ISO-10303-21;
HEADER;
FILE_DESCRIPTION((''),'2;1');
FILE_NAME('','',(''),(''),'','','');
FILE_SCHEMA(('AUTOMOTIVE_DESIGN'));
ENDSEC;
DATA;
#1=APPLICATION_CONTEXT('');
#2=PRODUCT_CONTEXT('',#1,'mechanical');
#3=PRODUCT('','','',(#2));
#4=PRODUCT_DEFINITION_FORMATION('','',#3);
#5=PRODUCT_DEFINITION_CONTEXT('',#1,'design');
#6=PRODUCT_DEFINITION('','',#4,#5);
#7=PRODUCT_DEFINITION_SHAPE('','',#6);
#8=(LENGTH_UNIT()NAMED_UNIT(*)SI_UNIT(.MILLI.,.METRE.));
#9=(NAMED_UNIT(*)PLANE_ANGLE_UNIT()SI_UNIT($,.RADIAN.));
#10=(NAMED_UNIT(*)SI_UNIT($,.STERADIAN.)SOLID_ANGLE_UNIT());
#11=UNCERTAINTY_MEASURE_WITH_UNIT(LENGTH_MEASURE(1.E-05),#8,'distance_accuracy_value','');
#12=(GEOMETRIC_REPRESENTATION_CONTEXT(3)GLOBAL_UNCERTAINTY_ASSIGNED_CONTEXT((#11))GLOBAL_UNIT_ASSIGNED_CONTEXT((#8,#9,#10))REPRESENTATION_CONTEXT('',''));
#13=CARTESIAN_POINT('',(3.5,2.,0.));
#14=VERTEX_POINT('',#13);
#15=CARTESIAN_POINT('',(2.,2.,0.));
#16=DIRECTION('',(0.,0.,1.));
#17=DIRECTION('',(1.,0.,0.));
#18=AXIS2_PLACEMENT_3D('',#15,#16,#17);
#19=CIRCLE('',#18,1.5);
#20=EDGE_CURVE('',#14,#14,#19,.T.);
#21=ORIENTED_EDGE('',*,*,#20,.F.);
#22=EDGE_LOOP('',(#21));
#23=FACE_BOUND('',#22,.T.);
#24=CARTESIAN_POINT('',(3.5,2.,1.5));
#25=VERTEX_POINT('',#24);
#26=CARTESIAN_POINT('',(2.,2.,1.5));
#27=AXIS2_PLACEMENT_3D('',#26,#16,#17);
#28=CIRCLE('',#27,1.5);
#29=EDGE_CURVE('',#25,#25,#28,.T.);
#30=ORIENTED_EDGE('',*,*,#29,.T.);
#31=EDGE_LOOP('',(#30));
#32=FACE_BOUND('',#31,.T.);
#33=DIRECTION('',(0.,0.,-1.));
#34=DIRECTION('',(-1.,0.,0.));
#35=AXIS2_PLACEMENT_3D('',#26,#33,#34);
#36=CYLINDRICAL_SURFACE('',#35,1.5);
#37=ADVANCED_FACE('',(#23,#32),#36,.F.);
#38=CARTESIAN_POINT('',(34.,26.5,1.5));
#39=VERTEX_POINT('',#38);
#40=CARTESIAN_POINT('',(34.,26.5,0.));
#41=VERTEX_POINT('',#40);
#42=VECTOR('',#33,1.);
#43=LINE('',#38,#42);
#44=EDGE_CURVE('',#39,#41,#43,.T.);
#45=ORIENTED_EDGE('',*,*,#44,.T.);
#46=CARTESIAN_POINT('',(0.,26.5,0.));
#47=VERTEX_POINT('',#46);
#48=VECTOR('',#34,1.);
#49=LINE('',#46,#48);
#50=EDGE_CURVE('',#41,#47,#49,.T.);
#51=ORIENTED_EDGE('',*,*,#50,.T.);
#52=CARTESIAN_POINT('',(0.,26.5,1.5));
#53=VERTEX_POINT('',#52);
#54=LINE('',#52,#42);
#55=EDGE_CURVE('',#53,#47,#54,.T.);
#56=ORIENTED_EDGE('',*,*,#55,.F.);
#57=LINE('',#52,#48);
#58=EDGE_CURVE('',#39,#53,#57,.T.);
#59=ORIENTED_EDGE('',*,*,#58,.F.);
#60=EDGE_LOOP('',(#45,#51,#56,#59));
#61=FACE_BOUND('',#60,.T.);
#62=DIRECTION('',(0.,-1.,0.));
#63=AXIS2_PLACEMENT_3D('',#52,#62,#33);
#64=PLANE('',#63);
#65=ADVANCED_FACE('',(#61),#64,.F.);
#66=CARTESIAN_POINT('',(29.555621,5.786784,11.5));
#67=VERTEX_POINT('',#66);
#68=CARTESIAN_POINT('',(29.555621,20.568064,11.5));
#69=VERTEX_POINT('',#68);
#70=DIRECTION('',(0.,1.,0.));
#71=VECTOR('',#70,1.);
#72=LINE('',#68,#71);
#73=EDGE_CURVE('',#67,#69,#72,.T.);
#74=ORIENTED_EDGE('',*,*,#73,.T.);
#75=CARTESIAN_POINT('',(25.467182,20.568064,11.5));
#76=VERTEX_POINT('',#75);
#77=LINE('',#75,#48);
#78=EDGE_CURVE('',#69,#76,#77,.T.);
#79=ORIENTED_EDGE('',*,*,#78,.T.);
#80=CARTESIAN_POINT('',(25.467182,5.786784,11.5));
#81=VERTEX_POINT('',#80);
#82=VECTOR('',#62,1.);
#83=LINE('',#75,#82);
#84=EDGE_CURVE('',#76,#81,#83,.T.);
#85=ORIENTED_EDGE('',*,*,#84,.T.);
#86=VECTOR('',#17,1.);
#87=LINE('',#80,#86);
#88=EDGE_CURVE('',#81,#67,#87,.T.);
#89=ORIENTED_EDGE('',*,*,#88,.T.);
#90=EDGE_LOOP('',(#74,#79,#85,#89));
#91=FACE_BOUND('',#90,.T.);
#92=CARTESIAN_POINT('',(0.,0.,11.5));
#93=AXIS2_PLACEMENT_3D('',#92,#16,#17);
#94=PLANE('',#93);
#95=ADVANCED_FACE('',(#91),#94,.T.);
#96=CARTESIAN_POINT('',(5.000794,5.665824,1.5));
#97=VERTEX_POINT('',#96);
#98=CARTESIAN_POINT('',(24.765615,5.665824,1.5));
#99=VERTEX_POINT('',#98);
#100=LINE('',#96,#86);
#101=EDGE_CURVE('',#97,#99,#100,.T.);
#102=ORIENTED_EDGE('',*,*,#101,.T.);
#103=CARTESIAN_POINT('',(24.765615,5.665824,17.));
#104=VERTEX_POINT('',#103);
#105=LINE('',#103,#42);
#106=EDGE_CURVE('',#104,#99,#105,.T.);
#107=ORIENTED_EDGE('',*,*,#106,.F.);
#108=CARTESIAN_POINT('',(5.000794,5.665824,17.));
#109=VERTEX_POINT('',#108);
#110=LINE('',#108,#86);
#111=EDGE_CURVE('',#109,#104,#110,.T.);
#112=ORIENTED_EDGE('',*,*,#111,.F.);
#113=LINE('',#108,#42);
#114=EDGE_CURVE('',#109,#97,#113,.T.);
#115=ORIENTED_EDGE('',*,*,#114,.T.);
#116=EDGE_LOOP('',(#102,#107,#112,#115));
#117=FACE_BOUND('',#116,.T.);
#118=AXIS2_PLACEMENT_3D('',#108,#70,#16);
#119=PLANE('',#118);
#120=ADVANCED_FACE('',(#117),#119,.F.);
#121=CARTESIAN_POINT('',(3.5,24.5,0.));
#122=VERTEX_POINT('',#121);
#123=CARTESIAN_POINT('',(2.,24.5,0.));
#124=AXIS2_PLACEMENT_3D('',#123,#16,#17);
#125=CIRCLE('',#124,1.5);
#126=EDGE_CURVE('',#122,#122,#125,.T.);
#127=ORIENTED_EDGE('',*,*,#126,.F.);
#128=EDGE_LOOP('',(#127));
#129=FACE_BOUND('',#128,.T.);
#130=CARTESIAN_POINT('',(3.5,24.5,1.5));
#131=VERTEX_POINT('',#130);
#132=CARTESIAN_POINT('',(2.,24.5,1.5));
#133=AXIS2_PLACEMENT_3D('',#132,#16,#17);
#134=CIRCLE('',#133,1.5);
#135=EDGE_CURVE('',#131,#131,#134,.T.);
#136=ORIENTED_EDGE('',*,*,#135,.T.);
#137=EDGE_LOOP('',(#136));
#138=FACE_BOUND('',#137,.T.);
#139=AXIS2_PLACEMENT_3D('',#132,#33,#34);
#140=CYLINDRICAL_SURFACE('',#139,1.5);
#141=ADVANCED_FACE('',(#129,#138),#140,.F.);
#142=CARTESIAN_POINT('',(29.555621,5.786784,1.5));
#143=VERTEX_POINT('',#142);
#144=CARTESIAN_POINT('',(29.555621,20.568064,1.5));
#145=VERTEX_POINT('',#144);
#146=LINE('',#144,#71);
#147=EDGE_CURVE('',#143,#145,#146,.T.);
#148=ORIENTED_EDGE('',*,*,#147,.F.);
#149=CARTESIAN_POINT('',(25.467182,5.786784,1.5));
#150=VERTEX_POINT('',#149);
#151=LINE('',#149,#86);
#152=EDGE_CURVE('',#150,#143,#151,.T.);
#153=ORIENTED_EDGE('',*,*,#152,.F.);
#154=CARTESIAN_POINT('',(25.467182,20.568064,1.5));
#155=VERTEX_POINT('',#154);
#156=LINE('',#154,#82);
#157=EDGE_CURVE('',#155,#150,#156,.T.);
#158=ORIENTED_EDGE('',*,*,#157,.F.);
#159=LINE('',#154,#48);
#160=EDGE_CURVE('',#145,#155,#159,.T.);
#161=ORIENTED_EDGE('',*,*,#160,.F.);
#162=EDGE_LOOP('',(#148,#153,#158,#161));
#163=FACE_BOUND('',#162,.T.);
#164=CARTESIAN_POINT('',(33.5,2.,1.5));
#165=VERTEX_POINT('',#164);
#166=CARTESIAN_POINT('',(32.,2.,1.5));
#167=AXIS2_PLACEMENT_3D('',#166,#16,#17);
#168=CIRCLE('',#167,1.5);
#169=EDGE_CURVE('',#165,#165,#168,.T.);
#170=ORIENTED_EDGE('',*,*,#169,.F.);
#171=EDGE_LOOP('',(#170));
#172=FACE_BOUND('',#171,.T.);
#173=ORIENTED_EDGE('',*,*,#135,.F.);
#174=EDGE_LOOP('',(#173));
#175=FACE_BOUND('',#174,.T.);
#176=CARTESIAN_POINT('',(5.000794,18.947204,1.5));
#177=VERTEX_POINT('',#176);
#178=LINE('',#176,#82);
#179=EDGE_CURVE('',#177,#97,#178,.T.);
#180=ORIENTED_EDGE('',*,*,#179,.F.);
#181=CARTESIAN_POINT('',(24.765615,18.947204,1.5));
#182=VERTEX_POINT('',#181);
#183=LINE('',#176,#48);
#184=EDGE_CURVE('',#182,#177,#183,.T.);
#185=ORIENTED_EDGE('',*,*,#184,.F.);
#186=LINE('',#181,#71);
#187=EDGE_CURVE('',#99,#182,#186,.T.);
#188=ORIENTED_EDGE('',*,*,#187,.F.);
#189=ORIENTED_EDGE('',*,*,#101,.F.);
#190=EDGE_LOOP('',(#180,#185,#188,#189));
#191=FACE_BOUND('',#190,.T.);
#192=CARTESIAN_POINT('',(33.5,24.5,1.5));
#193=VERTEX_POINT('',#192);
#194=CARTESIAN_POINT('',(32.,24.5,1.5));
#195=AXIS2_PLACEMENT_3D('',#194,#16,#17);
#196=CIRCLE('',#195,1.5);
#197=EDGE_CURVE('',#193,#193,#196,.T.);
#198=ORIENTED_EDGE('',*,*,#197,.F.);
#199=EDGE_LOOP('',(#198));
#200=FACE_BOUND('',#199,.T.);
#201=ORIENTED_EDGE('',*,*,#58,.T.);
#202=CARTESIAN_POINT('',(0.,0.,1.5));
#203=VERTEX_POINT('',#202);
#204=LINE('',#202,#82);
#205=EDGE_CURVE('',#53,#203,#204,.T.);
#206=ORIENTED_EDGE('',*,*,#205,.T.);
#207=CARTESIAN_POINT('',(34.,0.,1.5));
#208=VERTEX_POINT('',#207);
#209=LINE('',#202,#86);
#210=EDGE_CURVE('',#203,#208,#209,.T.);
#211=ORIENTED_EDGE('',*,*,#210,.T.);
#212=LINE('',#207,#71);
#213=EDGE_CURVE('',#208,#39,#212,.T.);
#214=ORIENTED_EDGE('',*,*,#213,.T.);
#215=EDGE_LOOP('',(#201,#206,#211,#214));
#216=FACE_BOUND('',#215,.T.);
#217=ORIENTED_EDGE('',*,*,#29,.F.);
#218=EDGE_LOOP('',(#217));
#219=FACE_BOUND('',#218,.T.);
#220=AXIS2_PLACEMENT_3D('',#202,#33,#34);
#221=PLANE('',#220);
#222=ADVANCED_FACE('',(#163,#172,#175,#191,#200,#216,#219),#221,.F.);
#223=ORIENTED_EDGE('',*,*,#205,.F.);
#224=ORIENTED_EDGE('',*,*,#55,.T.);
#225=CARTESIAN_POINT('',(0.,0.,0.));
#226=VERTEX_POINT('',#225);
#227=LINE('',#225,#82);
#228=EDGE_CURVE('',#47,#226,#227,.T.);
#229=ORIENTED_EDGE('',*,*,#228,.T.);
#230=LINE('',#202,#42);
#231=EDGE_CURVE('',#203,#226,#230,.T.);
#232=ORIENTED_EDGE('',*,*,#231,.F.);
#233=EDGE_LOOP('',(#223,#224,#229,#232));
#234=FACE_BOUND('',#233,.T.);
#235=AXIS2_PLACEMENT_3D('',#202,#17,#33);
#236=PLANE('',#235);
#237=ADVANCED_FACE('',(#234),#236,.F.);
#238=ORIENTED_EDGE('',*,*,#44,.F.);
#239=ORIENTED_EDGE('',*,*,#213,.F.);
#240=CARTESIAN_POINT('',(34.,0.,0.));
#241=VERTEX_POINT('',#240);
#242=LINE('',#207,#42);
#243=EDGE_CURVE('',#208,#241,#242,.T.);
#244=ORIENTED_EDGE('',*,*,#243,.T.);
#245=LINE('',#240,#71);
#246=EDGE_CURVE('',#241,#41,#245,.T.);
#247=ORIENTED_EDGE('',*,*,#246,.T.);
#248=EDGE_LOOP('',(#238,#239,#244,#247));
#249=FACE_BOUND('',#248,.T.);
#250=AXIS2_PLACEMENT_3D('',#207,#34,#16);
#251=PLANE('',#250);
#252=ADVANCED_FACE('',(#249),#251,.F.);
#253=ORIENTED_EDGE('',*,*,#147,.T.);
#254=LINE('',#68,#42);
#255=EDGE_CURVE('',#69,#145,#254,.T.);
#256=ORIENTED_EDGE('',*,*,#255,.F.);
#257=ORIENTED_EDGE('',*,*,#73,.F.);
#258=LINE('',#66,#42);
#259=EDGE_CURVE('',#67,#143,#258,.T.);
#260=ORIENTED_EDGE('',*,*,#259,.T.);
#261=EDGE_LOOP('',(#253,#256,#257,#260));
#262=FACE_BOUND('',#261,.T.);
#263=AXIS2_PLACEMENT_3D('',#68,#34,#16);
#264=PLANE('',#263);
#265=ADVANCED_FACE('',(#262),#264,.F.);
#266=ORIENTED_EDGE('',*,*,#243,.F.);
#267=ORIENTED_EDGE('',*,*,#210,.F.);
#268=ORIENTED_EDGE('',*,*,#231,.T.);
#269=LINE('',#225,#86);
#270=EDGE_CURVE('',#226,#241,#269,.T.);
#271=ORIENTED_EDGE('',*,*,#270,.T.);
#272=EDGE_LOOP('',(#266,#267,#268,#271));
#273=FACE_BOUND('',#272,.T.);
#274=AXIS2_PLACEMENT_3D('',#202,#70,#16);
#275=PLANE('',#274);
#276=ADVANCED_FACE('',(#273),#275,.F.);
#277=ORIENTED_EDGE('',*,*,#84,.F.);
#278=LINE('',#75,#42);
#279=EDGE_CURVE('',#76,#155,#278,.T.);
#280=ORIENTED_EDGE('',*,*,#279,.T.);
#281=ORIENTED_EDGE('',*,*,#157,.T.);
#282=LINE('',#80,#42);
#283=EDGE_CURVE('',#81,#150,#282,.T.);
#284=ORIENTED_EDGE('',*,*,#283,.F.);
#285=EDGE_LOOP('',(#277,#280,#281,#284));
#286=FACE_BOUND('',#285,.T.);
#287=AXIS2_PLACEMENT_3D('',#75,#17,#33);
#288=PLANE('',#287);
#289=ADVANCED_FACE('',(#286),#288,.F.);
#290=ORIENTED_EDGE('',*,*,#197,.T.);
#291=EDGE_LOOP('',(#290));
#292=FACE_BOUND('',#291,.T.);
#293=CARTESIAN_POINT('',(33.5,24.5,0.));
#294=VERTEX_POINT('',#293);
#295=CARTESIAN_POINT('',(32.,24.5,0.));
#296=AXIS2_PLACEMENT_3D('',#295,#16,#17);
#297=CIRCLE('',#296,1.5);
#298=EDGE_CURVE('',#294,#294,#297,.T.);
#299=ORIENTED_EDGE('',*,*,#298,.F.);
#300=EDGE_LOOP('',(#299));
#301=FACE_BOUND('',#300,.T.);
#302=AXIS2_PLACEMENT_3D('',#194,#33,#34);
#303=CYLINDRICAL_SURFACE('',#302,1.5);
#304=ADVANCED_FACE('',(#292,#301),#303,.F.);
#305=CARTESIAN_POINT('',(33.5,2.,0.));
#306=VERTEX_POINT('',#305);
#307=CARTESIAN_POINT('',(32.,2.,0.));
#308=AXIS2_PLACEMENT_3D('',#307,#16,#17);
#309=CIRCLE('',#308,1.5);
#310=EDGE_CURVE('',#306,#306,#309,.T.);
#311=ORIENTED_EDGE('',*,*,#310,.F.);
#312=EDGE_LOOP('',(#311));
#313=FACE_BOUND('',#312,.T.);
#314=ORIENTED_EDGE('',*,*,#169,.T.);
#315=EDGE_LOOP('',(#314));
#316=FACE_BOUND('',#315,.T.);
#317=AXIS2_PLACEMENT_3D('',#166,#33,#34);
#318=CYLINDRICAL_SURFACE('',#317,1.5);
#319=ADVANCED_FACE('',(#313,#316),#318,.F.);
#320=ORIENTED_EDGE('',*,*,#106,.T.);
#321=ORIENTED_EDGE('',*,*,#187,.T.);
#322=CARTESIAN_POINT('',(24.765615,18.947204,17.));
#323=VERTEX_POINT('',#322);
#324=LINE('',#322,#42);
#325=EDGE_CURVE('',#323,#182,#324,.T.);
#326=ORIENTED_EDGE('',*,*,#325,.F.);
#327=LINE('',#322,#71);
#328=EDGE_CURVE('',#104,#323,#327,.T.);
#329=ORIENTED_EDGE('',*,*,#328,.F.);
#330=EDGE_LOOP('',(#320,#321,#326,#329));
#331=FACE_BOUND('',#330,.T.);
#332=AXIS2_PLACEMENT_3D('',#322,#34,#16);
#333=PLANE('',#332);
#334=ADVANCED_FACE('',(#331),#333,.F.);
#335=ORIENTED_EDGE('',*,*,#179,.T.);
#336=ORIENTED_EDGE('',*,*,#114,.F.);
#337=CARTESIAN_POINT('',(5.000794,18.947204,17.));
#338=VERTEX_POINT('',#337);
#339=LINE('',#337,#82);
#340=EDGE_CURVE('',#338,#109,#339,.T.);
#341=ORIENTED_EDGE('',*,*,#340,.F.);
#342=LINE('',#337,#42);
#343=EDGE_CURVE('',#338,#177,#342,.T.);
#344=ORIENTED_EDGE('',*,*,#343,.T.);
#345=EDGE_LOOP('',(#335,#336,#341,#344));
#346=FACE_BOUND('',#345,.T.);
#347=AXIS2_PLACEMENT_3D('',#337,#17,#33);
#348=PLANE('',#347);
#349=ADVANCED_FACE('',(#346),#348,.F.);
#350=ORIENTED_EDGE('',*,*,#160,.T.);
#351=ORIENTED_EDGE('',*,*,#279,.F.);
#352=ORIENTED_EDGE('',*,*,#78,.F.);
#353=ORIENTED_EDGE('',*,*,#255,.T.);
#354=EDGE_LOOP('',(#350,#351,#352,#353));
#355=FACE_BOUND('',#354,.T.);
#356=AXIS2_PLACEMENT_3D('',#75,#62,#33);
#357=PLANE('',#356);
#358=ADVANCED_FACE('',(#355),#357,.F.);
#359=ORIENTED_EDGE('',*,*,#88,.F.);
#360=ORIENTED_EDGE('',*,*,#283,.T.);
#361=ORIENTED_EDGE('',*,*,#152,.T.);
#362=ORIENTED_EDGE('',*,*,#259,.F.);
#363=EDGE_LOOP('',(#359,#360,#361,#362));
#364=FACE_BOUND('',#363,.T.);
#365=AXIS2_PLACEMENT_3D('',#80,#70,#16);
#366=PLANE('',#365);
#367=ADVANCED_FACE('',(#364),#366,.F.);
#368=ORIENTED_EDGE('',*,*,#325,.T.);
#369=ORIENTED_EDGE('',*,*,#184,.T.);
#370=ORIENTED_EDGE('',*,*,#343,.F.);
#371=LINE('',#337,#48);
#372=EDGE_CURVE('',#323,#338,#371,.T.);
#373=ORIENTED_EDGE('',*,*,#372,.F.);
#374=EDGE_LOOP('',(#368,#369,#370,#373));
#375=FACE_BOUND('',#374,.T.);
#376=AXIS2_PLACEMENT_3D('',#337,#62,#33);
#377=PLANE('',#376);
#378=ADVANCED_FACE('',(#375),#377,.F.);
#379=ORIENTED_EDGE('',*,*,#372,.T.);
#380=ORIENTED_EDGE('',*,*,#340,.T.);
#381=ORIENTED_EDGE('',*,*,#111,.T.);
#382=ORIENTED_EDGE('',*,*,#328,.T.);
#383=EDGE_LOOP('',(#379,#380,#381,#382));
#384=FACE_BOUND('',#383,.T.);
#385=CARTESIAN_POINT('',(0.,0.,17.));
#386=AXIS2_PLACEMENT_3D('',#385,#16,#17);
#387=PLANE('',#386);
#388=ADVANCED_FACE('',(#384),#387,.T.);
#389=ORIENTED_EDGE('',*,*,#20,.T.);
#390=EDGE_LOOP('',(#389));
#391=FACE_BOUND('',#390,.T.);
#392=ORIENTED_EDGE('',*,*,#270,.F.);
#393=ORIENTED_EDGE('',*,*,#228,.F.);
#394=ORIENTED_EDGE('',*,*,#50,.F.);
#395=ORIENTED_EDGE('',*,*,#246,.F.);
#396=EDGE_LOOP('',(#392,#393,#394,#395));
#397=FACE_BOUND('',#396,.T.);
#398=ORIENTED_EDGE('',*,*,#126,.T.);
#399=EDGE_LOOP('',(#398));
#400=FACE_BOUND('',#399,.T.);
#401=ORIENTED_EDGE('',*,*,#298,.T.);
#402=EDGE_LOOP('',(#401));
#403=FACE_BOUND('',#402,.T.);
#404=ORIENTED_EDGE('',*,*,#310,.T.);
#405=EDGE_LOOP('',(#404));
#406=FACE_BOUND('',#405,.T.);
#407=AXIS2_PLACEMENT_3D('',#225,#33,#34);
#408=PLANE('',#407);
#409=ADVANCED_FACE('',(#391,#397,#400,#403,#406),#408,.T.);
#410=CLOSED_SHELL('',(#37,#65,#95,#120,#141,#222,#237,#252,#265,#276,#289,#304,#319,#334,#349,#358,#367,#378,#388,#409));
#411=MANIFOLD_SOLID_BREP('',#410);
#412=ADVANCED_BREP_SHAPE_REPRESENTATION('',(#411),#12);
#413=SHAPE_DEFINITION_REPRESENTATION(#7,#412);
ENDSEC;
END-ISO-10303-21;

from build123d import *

# Parameters (mm, degrees)
SKETCH1_W           = 34
SKETCH1_H           = 26.5
SKETCH1_R           = 1.5
BOSS_EXTRUDE1_DEPTH = 1.5
SKETCH2_W           = 19.764821035
SKETCH2_H           = 13.28137913
BOSS_EXTRUDE2_DEPTH = 15.5
SKETCH3_W           = 4.088439113
SKETCH3_H           = 14.781279869
BOSS_EXTRUDE3_DEPTH = 10


with BuildPart() as part:
    # Sketch1 → Boss-Extrude1 (new body)
    with BuildSketch(Plane.XY):
        with Locations((17, 13.25)):
            Rectangle(SKETCH1_W, SKETCH1_H)
        with Locations((2, 24.5)):
            Circle(SKETCH1_R, mode=Mode.SUBTRACT)
        with Locations((32, 24.5)):
            Circle(SKETCH1_R, mode=Mode.SUBTRACT)
        with Locations((2, 2)):
            Circle(SKETCH1_R, mode=Mode.SUBTRACT)
        with Locations((32, 2)):
            Circle(SKETCH1_R, mode=Mode.SUBTRACT)
    extrude(amount=BOSS_EXTRUDE1_DEPTH)

    # Sketch2 → Boss-Extrude2 (add)
    with BuildSketch(Plane.XY.offset(1.5)):
        with Locations((14.883204602, 12.306514051)):
            Rectangle(SKETCH2_W, SKETCH2_H)
    extrude(amount=BOSS_EXTRUDE2_DEPTH)

    # Sketch3 → Boss-Extrude3 (add)
    with BuildSketch(Plane.XY.offset(1.5)):
        with Locations((27.511401151, 13.177424158)):
            Rectangle(SKETCH3_W, SKETCH3_H)
    extrude(amount=BOSS_EXTRUDE3_DEPTH)


solid = part.part
